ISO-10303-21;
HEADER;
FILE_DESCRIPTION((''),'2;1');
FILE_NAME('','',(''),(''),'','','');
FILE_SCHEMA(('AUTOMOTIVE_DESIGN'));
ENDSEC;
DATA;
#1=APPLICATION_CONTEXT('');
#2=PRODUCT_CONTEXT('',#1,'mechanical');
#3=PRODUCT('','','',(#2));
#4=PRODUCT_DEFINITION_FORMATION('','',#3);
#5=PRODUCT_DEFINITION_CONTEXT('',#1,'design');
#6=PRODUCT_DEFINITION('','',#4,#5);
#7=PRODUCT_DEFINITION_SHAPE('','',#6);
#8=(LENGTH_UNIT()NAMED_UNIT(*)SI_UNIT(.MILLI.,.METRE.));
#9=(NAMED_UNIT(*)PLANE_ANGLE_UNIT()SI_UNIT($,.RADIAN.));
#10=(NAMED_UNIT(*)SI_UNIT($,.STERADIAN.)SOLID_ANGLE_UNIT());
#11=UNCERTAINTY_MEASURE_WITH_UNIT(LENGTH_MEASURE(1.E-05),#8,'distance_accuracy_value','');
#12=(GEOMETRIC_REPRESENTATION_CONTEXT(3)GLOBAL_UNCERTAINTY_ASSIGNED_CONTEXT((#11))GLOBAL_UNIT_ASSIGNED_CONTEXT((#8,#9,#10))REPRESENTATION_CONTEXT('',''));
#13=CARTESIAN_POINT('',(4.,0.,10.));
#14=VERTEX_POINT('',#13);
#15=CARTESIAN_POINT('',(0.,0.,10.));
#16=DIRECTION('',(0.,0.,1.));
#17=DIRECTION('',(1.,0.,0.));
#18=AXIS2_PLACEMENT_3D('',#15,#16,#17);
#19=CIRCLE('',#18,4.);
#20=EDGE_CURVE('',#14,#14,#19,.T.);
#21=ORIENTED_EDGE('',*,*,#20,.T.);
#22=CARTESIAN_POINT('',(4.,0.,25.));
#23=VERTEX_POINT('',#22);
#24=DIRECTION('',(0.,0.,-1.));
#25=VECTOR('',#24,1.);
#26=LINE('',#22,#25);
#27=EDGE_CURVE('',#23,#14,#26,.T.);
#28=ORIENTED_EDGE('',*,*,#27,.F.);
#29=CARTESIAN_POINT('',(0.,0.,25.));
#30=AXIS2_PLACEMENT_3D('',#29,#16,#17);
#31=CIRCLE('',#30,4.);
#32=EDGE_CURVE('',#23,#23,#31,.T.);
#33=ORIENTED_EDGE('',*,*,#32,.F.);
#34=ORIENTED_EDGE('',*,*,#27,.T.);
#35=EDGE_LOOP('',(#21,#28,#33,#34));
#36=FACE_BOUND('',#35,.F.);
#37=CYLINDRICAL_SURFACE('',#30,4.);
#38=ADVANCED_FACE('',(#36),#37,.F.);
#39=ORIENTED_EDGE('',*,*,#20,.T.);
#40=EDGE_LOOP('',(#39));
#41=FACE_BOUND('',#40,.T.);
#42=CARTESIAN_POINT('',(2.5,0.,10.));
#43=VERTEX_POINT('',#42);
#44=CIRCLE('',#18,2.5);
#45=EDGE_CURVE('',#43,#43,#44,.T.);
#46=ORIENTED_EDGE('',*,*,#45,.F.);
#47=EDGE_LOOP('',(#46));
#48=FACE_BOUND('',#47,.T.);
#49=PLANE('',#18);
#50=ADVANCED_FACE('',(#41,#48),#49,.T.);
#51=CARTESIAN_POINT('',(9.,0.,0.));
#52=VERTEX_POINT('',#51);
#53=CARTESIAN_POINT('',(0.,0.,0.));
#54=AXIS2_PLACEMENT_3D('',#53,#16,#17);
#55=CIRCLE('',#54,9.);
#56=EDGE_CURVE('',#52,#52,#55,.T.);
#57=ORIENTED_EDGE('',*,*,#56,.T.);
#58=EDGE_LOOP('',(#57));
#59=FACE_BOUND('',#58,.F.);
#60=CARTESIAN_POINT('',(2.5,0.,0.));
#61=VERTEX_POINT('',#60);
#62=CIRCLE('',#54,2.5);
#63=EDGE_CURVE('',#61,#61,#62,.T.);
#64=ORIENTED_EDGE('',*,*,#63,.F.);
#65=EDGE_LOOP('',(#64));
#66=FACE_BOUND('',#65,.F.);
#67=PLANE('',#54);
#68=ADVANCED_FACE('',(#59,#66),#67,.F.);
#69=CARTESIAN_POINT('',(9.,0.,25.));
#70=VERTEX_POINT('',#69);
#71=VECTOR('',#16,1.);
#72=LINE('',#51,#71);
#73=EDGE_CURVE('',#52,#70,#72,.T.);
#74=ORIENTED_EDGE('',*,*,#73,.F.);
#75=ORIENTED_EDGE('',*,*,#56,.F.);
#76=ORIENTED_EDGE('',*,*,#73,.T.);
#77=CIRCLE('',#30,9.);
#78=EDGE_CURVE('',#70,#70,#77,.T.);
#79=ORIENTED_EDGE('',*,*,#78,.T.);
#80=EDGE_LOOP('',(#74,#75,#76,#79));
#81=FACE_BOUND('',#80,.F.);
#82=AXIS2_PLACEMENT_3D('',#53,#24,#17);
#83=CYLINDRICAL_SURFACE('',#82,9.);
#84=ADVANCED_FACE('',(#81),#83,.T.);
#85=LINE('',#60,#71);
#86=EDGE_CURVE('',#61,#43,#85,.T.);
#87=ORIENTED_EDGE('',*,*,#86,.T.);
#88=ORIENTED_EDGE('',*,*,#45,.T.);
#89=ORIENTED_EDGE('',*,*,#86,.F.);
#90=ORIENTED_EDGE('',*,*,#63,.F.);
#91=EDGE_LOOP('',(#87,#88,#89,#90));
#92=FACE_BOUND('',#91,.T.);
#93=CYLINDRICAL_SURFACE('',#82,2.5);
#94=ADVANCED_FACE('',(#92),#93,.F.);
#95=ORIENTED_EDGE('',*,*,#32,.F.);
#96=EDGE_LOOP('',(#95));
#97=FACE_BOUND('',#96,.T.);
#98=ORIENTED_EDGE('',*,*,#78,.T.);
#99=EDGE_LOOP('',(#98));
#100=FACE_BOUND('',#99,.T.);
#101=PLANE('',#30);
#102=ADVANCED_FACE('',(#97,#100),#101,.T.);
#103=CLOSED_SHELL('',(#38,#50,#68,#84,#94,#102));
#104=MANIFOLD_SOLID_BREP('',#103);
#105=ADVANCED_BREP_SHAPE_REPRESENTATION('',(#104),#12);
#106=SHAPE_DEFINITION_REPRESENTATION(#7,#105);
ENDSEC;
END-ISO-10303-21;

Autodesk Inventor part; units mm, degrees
ref_plane "YZ Plane" through (0, 0, 0) normal (1, 0, 0) x (0, 1, 0)
ref_plane "XZ Plane" through (0, 0, 0) normal (0, 1, 0) x (-1, 0, 0)
ref_plane "XY Plane" through (0, 0, 0) normal (0, 0, 1) x (1, 0, 0)
sketch "Skizze1" plane through (0, 0, 0) normal (0, 0, 1) x (1, 0, 0)
  circle A0 centre (0, 0) radius 9
  circle A1 centre (0, 0) radius 2.5
  dimension "d0" = 18
  dimension "d1" = 5
extrude "Extrusion1" add sketch "Skizze1" along normal blind 25
sketch "Skizze2" plane through (0, 0, 25) normal (0, 0, 1) x (1, 0, 0)
  circle A0 centre (0, 0) radius 2.5 projected
  circle A1 centre (0, 0) radius 4
  dimension "d4" = 8
extrude "Extrusion2" cut sketch "Skizze2" against normal blind 15
properties part number "Clutch_nema"
